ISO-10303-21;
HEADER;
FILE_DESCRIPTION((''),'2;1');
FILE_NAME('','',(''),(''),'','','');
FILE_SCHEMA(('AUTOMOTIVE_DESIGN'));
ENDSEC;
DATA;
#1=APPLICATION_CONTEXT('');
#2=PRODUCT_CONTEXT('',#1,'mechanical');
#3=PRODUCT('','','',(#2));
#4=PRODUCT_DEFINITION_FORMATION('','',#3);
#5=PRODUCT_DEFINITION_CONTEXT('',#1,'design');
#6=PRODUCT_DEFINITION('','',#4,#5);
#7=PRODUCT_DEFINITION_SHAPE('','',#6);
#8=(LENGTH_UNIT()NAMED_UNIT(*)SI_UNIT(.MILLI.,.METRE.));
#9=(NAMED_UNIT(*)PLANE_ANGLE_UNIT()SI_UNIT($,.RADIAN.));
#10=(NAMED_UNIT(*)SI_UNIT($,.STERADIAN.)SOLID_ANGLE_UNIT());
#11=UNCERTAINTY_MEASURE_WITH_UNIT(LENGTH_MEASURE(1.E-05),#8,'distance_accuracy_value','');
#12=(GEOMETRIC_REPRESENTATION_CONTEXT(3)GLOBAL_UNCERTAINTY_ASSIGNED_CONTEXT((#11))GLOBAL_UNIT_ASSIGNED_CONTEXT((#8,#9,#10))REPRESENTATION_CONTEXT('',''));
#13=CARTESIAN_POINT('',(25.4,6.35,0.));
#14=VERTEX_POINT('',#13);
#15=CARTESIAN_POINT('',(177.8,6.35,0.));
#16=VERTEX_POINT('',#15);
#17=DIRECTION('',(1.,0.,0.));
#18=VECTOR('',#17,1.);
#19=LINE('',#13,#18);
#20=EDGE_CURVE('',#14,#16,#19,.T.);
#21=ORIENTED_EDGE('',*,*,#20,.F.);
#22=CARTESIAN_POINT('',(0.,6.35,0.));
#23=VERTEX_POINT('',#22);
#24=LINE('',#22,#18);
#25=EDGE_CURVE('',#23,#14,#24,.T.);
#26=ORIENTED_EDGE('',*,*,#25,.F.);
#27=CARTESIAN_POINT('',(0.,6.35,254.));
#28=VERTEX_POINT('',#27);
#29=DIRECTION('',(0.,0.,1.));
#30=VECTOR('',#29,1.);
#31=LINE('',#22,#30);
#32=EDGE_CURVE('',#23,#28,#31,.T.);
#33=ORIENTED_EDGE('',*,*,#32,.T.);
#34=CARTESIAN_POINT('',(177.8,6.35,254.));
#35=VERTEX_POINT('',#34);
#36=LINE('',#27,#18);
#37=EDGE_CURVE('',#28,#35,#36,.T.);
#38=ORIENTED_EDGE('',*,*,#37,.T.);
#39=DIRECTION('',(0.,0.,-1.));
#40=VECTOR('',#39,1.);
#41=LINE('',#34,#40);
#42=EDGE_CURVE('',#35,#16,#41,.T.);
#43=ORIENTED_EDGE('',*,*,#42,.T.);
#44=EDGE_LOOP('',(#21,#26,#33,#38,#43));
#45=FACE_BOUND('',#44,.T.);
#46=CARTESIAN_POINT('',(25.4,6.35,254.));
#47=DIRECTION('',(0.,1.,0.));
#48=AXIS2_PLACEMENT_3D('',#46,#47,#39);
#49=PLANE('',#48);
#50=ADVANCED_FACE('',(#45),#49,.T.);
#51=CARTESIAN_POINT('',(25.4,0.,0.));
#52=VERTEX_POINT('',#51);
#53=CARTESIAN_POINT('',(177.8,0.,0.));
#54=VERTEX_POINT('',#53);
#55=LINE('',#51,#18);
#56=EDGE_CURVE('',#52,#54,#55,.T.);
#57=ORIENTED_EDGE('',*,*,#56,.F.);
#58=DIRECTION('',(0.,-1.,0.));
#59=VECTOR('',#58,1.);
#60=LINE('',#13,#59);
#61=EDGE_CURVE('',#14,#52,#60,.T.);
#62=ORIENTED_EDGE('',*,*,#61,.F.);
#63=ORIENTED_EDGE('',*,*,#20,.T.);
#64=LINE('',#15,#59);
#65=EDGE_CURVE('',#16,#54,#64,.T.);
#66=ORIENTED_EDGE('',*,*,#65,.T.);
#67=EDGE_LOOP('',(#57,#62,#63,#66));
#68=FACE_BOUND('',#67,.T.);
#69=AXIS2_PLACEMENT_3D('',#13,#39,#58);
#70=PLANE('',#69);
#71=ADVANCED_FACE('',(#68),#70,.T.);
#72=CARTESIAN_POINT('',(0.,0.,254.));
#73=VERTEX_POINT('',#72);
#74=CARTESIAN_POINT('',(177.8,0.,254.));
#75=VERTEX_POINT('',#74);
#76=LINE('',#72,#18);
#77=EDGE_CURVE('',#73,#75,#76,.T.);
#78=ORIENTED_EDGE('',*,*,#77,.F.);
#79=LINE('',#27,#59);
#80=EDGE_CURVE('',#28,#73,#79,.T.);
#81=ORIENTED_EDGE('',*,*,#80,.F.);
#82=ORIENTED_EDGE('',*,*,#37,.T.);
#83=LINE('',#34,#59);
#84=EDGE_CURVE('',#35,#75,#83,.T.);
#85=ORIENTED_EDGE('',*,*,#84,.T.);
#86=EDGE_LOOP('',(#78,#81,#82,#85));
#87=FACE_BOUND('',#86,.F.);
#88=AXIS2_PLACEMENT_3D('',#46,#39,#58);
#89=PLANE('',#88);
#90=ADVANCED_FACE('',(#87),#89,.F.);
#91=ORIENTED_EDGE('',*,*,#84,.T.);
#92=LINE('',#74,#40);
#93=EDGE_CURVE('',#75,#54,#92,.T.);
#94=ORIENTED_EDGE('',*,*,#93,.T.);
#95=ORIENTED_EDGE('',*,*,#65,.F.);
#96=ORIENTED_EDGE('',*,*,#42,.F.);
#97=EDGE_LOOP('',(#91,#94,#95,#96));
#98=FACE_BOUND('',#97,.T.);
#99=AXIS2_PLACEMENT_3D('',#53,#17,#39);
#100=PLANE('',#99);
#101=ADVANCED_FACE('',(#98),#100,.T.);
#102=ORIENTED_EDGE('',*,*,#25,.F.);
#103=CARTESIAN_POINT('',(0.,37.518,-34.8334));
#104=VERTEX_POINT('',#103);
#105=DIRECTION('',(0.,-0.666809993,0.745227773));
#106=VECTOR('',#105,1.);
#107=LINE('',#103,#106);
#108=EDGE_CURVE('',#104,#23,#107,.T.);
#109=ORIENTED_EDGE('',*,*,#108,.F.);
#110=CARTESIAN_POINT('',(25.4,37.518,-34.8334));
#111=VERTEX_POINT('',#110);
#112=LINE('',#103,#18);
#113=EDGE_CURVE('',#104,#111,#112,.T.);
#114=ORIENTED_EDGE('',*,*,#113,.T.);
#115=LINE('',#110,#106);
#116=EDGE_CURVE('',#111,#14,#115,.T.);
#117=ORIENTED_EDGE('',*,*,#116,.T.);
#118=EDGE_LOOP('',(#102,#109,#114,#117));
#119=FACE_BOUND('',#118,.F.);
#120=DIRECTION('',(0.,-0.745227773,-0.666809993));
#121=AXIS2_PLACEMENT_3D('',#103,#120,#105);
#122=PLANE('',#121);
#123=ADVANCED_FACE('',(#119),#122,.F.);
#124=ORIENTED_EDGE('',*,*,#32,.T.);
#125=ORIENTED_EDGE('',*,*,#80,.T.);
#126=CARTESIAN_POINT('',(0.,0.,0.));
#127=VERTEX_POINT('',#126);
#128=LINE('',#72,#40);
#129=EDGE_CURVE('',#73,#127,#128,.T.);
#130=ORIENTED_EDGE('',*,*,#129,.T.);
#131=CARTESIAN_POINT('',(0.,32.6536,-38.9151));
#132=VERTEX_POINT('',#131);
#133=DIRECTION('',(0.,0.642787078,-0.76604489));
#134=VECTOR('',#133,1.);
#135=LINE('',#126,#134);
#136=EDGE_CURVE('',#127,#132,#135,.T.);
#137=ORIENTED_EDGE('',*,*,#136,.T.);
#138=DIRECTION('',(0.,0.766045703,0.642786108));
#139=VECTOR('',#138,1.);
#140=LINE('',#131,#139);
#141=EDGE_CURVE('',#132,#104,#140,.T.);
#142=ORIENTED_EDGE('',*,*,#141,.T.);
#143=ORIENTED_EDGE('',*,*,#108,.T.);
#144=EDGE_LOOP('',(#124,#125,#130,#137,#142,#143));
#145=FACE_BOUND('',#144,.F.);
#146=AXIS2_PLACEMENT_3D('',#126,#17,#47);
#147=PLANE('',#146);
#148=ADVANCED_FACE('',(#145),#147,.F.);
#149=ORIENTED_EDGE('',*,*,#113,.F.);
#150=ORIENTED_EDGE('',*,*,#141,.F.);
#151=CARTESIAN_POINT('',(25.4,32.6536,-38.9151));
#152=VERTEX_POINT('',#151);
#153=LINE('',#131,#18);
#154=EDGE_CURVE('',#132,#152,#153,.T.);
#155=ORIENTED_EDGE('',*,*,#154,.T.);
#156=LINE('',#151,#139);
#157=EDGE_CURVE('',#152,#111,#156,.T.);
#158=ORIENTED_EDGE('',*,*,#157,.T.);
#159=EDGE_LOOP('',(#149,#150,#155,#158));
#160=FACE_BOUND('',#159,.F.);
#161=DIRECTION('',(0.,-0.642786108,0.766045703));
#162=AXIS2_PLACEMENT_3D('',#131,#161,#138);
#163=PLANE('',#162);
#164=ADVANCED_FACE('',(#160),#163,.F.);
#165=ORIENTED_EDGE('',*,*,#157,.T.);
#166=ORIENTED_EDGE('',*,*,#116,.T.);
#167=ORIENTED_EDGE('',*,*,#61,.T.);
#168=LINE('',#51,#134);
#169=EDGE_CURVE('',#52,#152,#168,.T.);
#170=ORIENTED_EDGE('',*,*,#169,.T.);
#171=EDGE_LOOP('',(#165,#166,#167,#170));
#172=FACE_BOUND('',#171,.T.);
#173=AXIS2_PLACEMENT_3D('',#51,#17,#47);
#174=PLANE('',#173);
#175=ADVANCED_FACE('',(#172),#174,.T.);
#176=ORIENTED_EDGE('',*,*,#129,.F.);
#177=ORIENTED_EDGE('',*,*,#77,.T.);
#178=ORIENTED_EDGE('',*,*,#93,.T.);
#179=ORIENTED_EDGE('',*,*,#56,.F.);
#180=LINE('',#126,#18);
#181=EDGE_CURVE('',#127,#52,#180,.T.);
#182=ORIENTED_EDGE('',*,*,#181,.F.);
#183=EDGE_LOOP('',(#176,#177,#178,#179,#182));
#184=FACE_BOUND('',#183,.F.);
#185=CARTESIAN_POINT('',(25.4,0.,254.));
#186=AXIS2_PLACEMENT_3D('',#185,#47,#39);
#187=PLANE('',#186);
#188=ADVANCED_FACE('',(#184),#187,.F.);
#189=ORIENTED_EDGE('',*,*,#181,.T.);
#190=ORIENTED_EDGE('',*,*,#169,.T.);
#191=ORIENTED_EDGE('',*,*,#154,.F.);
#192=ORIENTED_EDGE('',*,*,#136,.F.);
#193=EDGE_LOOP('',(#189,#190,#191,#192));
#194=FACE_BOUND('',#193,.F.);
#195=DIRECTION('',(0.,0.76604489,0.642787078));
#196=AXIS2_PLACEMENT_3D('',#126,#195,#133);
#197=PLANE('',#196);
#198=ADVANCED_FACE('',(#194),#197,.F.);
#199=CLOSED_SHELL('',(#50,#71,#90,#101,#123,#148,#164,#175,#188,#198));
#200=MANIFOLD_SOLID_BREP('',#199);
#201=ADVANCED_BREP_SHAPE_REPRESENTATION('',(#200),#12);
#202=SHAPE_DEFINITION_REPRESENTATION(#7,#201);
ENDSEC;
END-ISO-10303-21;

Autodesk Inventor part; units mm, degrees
ref_plane "YZ Plane" through (0, 0, 0) normal (1, 0, 0) x (0, 1, 0)
ref_plane "XZ Plane" through (0, 0, 0) normal (0, 1, 0) x (-1, 0, 0)
ref_plane "XY Plane" through (0, 0, 0) normal (0, 0, 1) x (1, 0, 0)
sketch "Sketch1" plane through (0, 0, 0) normal (1, 0, 0) x (0, 1, 0)
  line L0 (0, 0) -> (6.35, 0)
  line L1 (6.35, 0) -> (6.35, 254)
  line L2 (6.35, 254) -> (0, 254)
  line L3 (0, 254) -> (0, 0)
  line L4 (0, 0) -> (32.6536, -38.9151)
  line L5 (0, 0) -> (50.8, 0) construction
  line L6 (32.6536, -38.9151) -> (37.518, -34.8334)
  line L7 (37.518, -34.8334) -> (6.35, 0)
  dimension "d0" = 6.35
  dimension "d1" = 254
  dimension "d2" = 50.8
  dimension "d3" = 50
  dimension "d4" = 6.35
extrude "Extrusion1" add sketch "Sketch1" along normal blind 25.4
sketch "Sketch2" plane through (25.4, 0, 0) normal (1, 0, 0) x (0, 0, -1)
  line L0 (-254, 6.35) -> (-254, 0) projected
  line L1 (-254, 0) -> (0, 0) projected
  line L2 (-254, 6.35) -> (0, 6.35)
  line L3 (0, 6.35) -> (0, 0)
  line L4 (0, 0) -> (-254, 0)
  line L5 (-254, 0) -> (-254, 6.35)
extrude "Extrusion2" add sketch "Sketch2" along normal blind 152.4
properties part number "Ball Blocker"
